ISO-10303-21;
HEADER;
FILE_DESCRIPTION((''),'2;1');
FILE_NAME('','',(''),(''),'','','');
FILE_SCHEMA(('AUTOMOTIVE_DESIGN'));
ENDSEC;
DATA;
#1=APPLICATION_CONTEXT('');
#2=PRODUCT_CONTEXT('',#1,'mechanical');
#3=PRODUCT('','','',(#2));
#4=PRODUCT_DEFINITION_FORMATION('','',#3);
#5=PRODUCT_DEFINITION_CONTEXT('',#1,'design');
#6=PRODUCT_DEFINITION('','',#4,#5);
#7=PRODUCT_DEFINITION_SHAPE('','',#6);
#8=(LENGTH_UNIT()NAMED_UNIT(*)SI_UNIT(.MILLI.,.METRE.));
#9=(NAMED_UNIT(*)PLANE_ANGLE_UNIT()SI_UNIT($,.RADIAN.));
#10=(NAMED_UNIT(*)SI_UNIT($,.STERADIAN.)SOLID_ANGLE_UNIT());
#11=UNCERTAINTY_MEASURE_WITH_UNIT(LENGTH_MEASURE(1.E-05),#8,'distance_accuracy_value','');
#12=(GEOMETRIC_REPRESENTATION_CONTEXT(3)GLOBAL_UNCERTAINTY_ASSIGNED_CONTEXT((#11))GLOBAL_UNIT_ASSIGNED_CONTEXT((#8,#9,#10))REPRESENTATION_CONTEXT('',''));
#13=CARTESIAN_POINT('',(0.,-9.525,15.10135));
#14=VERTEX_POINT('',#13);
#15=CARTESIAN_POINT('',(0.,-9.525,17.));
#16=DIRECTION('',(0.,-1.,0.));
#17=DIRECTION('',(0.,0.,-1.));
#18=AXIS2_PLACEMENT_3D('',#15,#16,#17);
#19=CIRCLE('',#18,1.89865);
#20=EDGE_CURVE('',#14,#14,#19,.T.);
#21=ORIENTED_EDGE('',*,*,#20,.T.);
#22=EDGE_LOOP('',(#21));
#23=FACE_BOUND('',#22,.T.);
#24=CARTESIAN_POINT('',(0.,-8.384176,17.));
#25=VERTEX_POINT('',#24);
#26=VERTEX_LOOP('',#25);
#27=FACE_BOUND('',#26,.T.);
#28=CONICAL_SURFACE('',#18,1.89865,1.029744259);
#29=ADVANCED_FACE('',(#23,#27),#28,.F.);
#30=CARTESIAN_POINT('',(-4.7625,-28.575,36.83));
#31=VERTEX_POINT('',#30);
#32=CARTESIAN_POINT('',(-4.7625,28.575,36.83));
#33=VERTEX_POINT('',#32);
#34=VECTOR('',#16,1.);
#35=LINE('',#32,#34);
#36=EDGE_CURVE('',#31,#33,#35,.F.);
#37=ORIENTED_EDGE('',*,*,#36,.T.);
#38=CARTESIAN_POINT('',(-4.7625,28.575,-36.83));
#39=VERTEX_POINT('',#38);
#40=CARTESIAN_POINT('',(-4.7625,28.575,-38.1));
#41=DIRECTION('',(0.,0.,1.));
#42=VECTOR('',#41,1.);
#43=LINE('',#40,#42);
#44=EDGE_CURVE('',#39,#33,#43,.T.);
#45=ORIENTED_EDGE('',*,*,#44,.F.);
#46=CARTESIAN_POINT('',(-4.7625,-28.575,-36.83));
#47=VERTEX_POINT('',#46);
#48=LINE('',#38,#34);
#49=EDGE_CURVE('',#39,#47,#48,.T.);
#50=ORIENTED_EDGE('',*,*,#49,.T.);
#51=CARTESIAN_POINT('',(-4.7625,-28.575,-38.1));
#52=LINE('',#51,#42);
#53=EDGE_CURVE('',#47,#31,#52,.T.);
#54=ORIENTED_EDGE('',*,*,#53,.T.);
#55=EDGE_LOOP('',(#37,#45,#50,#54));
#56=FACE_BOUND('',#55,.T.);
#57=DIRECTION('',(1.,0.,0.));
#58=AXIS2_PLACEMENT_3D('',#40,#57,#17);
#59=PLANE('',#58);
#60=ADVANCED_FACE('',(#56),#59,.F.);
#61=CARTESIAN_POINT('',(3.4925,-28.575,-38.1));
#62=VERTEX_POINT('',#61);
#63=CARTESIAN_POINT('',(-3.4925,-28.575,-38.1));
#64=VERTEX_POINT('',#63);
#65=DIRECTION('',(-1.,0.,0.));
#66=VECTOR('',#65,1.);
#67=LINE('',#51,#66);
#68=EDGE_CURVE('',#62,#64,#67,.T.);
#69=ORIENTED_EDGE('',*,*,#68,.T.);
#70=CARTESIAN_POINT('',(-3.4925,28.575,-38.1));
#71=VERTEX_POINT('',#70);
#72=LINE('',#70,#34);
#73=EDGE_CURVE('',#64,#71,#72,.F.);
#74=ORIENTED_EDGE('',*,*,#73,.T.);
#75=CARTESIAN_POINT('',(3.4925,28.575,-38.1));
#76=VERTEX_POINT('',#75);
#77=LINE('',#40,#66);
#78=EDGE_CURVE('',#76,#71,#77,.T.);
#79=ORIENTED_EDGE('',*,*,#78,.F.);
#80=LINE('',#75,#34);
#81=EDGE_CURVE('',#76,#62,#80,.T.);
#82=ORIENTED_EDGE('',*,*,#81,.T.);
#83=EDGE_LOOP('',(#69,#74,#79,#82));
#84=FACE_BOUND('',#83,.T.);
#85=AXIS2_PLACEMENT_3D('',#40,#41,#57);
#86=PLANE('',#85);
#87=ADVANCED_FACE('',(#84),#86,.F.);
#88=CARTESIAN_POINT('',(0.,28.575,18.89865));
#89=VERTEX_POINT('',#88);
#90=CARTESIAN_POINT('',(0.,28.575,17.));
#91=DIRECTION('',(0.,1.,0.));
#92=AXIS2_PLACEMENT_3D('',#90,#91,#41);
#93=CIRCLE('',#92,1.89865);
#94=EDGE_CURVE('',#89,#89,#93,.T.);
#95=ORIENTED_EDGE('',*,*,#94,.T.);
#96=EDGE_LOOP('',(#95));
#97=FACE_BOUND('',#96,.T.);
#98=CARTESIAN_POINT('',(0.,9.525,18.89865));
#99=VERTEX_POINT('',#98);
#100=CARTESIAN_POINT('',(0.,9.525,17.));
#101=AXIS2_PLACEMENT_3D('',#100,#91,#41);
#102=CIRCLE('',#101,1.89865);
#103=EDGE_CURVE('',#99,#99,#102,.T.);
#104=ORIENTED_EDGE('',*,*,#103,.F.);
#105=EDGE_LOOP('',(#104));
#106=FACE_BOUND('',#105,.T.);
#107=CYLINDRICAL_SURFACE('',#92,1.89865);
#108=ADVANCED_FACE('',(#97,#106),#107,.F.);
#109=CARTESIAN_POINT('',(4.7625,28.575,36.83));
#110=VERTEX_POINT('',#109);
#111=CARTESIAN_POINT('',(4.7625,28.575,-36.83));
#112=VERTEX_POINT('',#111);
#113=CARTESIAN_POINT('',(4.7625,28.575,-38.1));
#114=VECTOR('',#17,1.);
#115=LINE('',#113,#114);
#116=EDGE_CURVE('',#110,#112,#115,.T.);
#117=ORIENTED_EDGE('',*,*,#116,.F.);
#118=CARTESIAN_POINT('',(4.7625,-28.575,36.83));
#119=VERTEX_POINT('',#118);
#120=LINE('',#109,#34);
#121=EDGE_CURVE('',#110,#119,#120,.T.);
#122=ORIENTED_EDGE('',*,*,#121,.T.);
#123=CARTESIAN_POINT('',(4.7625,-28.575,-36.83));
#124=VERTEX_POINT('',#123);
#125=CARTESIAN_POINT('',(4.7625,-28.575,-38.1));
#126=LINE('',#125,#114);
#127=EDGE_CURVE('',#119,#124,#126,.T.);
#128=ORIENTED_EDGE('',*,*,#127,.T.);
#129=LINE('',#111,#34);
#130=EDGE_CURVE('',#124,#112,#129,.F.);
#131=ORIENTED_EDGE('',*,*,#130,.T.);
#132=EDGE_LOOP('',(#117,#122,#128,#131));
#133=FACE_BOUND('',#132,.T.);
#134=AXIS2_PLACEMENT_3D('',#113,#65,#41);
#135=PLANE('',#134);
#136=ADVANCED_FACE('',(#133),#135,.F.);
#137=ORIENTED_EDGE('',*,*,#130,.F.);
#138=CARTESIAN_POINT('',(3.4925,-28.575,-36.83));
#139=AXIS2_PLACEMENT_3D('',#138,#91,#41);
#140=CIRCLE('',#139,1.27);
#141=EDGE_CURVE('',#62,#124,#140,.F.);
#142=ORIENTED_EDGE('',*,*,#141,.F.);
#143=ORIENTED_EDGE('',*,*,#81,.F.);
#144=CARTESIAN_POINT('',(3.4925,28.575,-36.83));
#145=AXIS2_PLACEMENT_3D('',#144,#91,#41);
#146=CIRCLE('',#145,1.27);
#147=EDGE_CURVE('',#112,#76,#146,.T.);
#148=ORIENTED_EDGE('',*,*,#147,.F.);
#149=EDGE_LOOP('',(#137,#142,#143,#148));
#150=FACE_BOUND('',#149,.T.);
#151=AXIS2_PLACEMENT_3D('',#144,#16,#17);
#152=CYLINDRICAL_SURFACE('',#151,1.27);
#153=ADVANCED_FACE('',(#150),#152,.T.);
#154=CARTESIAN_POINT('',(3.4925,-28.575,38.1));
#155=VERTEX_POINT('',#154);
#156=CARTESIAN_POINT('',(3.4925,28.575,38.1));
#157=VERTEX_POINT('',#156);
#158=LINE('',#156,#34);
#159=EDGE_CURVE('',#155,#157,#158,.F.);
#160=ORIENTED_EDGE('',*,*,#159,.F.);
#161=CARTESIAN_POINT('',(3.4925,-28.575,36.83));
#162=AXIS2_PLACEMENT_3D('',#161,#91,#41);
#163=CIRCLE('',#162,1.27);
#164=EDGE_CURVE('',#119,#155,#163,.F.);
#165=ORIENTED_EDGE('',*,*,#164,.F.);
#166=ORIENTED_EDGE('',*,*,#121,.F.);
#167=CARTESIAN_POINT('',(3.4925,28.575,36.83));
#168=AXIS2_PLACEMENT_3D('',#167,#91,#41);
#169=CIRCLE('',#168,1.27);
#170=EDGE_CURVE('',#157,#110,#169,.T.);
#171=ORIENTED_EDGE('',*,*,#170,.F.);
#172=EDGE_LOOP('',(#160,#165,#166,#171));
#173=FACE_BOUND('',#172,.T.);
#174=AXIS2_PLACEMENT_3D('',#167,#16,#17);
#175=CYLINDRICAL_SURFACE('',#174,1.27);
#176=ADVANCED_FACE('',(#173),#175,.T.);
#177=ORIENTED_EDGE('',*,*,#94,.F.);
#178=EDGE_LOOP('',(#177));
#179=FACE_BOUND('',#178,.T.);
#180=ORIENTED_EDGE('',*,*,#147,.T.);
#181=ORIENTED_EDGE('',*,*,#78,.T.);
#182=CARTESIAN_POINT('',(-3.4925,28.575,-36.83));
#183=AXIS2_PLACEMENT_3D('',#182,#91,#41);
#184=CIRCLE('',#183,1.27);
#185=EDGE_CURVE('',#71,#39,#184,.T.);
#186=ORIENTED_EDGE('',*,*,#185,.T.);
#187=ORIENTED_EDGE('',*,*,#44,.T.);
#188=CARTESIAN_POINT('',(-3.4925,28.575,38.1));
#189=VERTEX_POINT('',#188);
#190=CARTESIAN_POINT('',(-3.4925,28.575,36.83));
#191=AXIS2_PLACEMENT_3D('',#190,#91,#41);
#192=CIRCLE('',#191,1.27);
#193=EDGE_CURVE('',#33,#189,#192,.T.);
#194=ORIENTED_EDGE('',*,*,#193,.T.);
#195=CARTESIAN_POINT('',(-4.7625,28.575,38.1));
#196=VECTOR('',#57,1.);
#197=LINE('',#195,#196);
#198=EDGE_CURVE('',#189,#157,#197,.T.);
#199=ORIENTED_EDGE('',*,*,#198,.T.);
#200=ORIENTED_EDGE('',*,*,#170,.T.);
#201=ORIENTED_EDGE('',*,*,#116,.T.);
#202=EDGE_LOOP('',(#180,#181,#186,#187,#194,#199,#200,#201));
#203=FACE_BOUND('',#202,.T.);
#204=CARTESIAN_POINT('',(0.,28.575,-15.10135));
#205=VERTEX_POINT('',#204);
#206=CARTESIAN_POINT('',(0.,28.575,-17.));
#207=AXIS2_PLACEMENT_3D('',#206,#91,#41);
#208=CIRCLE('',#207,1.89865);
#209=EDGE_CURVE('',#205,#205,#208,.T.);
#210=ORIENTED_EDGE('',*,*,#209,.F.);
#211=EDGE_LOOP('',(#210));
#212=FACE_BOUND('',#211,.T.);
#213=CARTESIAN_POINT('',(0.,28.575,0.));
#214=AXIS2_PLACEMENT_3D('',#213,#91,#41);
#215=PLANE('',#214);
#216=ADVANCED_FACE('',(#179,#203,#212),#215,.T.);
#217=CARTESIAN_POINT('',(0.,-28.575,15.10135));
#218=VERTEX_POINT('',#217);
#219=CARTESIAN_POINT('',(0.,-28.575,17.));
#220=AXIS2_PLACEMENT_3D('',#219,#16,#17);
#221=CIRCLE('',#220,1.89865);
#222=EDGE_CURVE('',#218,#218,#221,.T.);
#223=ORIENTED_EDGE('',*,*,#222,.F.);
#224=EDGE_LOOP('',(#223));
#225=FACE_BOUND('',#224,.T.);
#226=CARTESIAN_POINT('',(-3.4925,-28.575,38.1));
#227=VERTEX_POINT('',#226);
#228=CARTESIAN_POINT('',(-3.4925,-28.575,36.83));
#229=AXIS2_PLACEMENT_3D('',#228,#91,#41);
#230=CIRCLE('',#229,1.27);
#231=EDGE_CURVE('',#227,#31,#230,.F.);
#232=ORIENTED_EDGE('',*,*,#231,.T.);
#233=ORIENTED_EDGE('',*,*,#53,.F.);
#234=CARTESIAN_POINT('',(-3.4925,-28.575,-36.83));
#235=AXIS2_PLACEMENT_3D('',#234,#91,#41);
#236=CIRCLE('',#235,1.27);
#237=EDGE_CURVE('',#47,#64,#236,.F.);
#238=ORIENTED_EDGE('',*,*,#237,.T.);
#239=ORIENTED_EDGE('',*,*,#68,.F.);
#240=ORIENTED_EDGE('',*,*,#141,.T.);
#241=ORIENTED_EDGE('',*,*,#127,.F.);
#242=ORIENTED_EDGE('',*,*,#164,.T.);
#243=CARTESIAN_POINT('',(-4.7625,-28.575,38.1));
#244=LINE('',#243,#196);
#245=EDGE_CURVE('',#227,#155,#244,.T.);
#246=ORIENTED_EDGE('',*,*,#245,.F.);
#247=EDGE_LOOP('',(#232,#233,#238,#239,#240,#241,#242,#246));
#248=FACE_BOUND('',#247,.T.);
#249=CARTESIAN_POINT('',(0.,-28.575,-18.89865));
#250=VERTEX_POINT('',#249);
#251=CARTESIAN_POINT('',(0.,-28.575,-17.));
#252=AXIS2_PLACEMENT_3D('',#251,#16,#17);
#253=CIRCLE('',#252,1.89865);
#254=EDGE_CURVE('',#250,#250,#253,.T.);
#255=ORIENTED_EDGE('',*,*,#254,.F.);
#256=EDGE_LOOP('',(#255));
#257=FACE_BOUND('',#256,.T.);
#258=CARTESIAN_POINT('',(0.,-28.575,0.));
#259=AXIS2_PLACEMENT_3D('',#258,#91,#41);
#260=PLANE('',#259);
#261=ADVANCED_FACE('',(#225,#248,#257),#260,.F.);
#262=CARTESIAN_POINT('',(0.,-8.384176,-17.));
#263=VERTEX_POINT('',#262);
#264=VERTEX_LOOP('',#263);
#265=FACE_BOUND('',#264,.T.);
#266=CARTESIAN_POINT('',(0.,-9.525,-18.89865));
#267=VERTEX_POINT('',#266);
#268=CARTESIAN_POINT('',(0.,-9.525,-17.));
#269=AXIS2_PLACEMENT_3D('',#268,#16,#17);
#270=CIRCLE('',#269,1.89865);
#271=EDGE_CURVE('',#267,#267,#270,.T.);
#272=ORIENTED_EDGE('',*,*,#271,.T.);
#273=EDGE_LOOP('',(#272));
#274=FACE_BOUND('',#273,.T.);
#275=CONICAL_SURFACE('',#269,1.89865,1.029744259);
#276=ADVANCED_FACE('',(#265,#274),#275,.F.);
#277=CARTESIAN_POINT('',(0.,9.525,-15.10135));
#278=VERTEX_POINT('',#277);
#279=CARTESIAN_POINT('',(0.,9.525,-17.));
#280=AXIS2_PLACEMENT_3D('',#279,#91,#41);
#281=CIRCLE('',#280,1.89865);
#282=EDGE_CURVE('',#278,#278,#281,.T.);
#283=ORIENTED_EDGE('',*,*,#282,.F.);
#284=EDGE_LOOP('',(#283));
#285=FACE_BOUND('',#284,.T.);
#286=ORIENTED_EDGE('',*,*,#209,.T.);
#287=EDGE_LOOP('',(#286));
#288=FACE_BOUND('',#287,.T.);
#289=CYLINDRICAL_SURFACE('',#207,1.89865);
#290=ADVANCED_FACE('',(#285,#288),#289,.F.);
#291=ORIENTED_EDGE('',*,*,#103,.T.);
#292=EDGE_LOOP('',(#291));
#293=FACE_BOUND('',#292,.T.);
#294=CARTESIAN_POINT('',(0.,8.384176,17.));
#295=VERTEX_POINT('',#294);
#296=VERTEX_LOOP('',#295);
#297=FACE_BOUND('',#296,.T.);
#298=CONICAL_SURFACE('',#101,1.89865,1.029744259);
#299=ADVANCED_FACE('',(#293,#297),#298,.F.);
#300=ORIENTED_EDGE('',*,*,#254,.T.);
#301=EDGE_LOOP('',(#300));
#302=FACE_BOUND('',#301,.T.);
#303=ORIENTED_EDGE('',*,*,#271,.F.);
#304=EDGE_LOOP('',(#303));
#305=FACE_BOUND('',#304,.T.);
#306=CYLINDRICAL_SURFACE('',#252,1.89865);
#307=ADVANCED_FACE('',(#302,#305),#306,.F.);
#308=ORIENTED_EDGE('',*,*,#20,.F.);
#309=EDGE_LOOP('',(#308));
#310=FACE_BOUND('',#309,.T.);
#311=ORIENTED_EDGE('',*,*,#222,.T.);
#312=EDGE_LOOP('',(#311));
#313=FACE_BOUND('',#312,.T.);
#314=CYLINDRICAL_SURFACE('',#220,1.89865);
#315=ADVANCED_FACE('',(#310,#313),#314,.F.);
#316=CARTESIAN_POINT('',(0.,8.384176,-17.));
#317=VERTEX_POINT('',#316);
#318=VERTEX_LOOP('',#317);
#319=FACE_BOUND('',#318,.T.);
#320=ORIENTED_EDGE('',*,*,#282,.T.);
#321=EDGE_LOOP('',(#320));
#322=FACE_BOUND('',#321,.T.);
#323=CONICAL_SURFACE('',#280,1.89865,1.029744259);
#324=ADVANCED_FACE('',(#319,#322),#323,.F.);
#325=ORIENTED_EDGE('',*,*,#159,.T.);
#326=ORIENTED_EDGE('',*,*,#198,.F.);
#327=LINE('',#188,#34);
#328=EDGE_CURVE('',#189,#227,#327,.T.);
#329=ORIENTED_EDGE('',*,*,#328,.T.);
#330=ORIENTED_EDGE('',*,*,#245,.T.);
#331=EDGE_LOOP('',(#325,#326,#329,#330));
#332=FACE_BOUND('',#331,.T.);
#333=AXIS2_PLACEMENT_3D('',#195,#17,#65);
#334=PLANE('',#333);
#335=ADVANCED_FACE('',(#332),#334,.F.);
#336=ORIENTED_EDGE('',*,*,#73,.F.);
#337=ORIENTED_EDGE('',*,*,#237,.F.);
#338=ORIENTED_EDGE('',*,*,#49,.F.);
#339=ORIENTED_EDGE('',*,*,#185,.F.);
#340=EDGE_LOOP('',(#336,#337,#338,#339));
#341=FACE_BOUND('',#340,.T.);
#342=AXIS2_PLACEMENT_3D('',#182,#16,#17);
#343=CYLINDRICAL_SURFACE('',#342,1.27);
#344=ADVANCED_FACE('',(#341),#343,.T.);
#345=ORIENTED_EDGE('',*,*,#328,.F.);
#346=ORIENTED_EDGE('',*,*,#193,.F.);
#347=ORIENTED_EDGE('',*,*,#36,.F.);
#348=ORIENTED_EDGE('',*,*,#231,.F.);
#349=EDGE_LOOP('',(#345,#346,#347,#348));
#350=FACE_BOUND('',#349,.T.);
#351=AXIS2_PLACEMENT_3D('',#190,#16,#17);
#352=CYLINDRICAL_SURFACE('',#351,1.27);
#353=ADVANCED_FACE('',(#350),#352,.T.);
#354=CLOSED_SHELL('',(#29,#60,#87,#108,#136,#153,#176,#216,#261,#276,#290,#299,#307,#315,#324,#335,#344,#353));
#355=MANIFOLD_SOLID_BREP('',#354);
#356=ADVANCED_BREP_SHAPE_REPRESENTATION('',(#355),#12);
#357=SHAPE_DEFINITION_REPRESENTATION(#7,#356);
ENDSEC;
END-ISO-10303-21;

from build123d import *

# Parameters (mm, degrees)
SKETCH1_W                       = 9.525
SKETCH1_H                       = 76.2
BOSS_EXTRUDE1_DEPTH             = 28.575
F_10_24_TAPPED_HOLE1_AT_2_COUNT = 2
F_10_24_TAPPED_HOLE1_AT_2_PITCH = 34
FILLET1_R                       = 1.27


with BuildPart() as part:
    # Sketch1 → Boss-Extrude1 (new body, symmetric)
    with BuildSketch(Plane(origin=(0, 0, 0), x_dir=(1, 0, 0), z_dir=(0, 1, 0))):
        Rectangle(SKETCH1_W, SKETCH1_H)
    extrude(amount=BOSS_EXTRUDE1_DEPTH, both=True)

    # Sketch3 → #10-24 Tapped Hole1 (revolve, cut)
    with BuildSketch(Plane(origin=(0, 28.575, -17), x_dir=(0, 0, 1), z_dir=(1, 0, 0))):
        Polygon((0, 0), (0, 20.190824014), (1.89865, 19.05), (1.89865, 0), align=None)
    f_10_24_tapped_hole1 = revolve(axis=Axis((0, 34.925, -17), (0, -1, 0)), mode=Mode.SUBTRACT)

    # #10-24 Tapped Hole1 at 2: #10-24 Tapped Hole1 ×2
    with Locations(*[(0, 0, i * F_10_24_TAPPED_HOLE1_AT_2_PITCH) for i in range(1, F_10_24_TAPPED_HOLE1_AT_2_COUNT)]):
        add(f_10_24_tapped_hole1, mode=Mode.SUBTRACT)

    # Mirror1: #10-24 Tapped Hole1 across plane
    add(f_10_24_tapped_hole1.mirror(Plane.ZX), mode=Mode.SUBTRACT)

    # Mirror1 copy 1 sketch → Mirror1 copy 1 (revolve, cut)
    with BuildSketch(Plane(origin=(0, -28.575, 17), x_dir=(0, 0, 1), z_dir=(1, 0, 0))):
        Polygon((0, 0), (0, -20.190824014), (1.89865, -19.05), (1.89865, 0), align=None)
    revolve(axis=Axis((0, -34.925, 17), (0, -1, 0)), mode=Mode.SUBTRACT)

    # Fillet1
    fillet1_edges = [part.edges().sort_by_distance(p)[0] for p in [
        (-4.7625, 0, -38.1),
        (4.7625, 0, -38.1),
        (4.7625, 0, 38.1),
        (-4.7625, 0, 38.1),
    ]]
    fillet(fillet1_edges, radius=FILLET1_R)


solid = part.part
